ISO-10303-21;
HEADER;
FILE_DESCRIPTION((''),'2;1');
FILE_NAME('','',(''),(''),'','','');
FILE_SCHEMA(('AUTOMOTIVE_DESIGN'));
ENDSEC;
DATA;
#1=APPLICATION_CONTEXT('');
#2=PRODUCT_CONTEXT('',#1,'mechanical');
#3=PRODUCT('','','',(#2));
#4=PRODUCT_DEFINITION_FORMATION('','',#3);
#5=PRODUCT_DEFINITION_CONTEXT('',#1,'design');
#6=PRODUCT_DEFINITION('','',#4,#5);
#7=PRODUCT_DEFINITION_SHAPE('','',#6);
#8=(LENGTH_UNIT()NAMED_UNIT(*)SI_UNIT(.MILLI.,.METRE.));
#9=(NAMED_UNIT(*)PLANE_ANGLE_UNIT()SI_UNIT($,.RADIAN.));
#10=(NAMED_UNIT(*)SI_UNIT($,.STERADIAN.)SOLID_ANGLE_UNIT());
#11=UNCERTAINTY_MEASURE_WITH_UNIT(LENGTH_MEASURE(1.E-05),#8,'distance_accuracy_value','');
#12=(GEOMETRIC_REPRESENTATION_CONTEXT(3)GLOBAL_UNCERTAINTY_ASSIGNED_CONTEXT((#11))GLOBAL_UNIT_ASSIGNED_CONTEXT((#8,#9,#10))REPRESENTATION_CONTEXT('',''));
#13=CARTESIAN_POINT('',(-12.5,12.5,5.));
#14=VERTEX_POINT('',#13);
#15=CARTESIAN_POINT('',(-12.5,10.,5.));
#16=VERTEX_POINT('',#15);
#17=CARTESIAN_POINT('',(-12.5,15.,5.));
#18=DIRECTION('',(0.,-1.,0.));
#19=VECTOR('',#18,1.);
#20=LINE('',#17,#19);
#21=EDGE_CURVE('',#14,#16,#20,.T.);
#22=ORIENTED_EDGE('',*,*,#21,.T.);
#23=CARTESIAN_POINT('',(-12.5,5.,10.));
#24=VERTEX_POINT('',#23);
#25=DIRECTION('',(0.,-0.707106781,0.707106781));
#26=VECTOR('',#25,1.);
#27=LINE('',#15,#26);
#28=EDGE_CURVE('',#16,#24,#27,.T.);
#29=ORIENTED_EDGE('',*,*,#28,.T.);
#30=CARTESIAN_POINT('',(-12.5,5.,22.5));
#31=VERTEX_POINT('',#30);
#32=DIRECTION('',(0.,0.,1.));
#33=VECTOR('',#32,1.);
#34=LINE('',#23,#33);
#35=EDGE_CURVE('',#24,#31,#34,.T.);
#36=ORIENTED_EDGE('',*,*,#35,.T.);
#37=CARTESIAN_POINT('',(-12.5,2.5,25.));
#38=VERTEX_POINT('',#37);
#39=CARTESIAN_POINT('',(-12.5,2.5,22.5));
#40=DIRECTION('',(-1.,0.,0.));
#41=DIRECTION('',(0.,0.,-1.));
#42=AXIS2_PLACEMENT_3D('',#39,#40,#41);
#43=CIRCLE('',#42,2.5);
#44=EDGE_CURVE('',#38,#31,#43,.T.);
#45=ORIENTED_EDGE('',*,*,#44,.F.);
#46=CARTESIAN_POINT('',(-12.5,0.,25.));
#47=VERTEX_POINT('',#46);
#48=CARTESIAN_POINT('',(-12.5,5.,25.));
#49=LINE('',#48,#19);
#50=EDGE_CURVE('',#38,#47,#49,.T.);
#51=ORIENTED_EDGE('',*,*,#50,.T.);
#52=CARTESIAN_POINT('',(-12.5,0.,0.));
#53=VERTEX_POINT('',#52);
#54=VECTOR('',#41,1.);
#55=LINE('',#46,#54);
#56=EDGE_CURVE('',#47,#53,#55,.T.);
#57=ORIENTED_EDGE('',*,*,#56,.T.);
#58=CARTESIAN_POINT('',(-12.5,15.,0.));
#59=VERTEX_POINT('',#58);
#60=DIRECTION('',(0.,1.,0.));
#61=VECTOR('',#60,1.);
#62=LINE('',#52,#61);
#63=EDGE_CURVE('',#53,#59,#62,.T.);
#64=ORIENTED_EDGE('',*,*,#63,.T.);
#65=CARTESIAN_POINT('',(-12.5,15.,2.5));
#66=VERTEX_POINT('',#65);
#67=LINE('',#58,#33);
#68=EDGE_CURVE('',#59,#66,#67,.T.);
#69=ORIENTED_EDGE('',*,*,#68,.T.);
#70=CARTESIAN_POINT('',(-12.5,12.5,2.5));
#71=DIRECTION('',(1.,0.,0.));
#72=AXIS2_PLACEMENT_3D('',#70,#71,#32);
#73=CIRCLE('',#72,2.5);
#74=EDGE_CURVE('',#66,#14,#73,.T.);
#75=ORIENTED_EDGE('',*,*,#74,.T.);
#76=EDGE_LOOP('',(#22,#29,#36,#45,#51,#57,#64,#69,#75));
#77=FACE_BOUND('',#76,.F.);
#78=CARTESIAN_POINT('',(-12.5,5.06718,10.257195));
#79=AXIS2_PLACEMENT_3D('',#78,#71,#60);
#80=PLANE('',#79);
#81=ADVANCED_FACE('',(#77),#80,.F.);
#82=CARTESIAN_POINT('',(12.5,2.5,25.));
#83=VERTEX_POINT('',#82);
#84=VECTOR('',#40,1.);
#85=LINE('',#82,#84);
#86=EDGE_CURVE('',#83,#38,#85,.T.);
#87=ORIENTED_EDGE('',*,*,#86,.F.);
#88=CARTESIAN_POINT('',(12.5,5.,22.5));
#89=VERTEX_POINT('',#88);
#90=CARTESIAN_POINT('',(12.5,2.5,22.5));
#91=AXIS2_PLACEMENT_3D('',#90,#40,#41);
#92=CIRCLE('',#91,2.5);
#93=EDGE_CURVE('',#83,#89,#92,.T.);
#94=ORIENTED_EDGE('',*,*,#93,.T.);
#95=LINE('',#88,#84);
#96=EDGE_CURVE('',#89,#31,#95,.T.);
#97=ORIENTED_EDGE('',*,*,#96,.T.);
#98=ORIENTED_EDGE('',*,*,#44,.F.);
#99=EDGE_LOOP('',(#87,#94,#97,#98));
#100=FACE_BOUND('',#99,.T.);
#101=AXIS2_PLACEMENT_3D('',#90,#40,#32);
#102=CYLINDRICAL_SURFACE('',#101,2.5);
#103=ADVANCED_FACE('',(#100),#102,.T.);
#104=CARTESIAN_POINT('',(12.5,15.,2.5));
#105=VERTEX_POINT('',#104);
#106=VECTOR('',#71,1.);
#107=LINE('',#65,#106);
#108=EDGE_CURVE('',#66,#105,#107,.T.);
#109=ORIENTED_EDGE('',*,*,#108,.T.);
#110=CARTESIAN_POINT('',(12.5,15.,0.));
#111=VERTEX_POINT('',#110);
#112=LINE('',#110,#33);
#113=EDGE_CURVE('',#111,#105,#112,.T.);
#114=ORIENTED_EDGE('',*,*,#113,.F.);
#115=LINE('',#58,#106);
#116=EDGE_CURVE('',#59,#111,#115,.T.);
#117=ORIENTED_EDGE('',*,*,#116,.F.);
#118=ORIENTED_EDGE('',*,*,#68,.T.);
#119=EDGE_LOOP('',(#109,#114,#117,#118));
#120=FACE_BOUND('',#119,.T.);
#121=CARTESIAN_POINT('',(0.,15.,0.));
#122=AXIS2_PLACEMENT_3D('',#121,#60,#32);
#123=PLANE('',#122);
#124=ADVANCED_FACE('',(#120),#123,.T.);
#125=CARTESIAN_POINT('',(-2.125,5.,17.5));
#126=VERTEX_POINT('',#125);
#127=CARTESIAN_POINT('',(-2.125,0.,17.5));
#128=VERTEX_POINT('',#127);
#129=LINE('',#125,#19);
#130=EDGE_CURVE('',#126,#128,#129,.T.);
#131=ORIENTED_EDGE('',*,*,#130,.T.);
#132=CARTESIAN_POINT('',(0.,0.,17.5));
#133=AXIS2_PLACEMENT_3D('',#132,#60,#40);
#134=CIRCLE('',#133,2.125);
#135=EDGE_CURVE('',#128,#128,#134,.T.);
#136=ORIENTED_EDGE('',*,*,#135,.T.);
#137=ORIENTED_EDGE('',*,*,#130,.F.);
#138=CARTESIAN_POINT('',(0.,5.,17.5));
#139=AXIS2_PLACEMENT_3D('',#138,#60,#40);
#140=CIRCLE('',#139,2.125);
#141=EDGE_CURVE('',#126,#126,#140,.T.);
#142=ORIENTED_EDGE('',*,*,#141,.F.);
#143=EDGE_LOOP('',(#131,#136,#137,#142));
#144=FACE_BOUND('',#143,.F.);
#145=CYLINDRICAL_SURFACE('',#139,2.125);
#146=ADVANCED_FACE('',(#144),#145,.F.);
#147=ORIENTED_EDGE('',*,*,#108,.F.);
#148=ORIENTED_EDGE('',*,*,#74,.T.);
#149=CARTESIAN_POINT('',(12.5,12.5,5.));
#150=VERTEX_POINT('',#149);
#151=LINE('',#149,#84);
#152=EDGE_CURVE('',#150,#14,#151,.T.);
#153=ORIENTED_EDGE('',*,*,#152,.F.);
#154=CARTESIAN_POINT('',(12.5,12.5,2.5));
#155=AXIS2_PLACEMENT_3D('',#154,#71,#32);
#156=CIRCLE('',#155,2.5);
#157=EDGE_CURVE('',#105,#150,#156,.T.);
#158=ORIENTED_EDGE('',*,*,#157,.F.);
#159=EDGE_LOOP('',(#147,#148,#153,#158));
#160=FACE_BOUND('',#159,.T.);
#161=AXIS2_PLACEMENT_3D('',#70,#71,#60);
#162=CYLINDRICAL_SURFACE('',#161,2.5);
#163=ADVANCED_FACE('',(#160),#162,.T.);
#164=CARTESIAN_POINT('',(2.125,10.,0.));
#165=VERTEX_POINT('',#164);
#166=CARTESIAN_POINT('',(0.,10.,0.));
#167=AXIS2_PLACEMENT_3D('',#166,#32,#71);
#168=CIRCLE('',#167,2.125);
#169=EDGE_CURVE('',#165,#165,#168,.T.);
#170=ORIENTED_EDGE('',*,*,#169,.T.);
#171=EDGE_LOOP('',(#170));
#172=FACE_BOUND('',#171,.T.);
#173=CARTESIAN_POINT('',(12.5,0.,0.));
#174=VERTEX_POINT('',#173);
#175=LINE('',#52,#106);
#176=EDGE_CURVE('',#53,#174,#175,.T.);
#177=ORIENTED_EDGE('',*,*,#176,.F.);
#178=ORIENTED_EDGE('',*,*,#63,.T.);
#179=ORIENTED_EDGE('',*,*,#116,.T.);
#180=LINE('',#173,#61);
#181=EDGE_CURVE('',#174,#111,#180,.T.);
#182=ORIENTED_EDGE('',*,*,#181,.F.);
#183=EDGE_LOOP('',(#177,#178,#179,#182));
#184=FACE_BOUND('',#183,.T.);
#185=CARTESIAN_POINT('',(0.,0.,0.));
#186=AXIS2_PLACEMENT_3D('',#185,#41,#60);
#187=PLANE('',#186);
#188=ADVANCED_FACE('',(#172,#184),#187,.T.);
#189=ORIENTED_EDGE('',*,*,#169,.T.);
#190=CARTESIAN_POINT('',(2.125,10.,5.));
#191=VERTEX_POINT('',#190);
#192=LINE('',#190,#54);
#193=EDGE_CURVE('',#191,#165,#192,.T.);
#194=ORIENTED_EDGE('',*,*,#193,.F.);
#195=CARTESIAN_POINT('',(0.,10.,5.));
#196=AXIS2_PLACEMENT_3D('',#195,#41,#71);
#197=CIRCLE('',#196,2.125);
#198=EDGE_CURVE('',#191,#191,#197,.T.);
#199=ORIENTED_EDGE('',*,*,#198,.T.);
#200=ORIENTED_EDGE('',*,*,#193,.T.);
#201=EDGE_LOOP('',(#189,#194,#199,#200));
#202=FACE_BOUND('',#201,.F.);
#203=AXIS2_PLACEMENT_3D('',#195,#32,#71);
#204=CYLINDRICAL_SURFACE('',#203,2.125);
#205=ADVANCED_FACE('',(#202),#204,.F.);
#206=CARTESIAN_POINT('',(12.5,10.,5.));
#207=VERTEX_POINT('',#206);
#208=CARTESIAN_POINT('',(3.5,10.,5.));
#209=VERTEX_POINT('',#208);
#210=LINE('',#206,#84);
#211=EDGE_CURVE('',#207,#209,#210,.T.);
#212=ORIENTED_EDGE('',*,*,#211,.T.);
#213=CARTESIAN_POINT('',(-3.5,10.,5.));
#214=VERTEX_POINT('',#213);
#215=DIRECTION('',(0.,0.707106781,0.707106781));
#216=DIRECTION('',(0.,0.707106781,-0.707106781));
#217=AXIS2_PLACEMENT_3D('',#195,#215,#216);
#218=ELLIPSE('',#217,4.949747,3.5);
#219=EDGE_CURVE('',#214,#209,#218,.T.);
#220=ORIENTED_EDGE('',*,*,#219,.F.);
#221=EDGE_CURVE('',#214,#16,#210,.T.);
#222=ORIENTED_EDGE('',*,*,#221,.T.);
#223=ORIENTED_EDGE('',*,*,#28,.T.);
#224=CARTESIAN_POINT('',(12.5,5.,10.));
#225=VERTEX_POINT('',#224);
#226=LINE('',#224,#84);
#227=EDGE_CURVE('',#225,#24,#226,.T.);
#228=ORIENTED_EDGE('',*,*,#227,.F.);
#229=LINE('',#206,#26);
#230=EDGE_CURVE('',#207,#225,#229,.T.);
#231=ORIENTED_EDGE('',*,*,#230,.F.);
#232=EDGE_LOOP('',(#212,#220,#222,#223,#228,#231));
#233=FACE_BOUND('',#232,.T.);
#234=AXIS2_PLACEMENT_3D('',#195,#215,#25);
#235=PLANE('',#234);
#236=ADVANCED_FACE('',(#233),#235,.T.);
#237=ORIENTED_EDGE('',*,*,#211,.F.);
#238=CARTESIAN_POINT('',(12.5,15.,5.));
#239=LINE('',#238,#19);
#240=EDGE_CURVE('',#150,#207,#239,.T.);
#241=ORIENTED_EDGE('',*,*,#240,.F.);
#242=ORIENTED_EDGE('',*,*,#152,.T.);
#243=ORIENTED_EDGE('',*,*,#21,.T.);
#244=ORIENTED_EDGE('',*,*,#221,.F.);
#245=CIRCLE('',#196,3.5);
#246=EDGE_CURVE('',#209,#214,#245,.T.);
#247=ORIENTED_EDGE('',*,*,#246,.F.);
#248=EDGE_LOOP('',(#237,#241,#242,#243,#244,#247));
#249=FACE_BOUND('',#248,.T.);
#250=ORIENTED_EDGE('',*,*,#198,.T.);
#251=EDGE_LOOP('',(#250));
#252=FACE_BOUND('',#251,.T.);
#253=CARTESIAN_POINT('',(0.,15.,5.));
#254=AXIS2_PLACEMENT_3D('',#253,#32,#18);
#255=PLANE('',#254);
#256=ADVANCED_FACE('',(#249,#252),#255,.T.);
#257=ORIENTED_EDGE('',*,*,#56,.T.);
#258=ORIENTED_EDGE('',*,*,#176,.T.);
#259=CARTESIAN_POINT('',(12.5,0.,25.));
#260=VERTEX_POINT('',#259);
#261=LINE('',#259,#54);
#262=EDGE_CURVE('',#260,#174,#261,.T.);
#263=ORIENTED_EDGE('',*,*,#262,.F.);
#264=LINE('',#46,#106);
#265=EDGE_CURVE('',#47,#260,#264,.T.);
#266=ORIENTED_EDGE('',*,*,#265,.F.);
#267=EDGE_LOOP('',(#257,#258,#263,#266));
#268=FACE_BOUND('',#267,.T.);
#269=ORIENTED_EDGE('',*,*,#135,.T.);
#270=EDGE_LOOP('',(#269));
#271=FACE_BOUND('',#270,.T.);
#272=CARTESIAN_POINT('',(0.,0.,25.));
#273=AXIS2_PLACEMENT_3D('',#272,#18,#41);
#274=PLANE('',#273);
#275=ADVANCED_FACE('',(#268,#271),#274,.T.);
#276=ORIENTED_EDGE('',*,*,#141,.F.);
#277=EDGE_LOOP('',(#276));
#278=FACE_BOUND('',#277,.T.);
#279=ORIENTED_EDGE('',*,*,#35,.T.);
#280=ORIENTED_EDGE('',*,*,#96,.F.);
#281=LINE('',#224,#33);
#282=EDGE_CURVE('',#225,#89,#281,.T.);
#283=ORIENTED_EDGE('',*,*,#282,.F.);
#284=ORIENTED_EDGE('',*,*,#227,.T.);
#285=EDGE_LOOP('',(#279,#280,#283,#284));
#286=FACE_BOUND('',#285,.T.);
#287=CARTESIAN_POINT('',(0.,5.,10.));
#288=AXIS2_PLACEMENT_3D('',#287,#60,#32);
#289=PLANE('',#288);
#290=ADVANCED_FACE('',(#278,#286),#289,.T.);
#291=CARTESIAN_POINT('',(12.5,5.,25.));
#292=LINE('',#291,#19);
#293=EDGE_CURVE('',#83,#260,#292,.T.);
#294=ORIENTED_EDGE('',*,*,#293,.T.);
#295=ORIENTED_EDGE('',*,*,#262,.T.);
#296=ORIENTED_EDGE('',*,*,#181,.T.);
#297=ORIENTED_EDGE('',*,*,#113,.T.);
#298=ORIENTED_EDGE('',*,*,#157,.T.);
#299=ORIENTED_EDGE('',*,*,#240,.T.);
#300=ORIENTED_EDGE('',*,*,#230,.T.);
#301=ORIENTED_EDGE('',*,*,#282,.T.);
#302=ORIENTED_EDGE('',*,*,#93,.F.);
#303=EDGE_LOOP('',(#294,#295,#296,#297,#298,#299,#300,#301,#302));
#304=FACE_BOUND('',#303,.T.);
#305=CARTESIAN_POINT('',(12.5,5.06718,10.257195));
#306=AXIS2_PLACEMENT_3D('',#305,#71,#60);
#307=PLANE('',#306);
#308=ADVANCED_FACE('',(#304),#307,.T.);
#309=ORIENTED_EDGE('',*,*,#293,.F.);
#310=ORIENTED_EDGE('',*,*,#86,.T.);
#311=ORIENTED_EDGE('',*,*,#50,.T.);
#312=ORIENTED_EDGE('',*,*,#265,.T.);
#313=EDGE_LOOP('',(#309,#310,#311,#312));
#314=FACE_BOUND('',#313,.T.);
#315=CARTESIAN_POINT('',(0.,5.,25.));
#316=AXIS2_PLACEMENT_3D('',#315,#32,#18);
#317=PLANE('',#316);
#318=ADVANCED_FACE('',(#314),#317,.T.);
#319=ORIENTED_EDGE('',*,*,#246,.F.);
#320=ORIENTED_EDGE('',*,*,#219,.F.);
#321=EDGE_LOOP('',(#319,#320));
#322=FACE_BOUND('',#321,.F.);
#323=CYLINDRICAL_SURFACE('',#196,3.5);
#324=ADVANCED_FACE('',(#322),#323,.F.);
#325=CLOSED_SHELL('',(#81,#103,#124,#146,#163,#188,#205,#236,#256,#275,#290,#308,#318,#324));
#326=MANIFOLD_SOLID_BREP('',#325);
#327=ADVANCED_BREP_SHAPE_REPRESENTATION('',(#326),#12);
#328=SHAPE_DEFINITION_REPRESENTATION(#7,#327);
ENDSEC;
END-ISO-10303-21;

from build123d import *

# Parameters (mm, degrees)
F1_DEPTH = 12.5
F2_R     = 2.125
F3_DEPTH = 5.001
F4_R     = 2.125
F5_DEPTH = 5.001
F6_R     = 2.5
F7_R     = 3.5
F8_DEPTH = 20.001


with BuildPart() as f1:
    # F0 (on Right) → F1 (new body, symmetric)
    with BuildSketch(Plane.YZ):
        Polygon((5, 25), (0, 25), (0, 0), (15, 0), (15, 5), (10, 5), (5, 10), align=None)
    extrude(amount=F1_DEPTH, both=True)

    # F2 (on face) → F3 (cut, through all)
    with BuildSketch(Plane.XY.offset(5)):
        with Locations((0, 10)):
            Circle(F2_R)
    extrude(amount=-F3_DEPTH, mode=Mode.SUBTRACT)

    # F4 (on face) → F5 (cut, through all)
    with BuildSketch(Plane(origin=(0, 5, 0), x_dir=(-1, 0, 0), z_dir=(0, 1, 0))):
        with Locations((0, 17.5)):
            Circle(F4_R)
    extrude(amount=-F5_DEPTH, mode=Mode.SUBTRACT)

    # F6
    f6_edges = [f1.edges().sort_by_distance(p)[0] for p in [
        (0, 15, 5),
        (0, 5, 25),
    ]]
    fillet(f6_edges, radius=F6_R)

    # F7 (on face) → F8 (cut, through all)
    with BuildSketch(Plane(origin=(0, 0, 5), x_dir=(1, 0, 0), z_dir=(0, 0, -1))):
        with Locations((0, -10)):
            Circle(F7_R)
    extrude(amount=-F8_DEPTH, mode=Mode.SUBTRACT)


solid = f1.part
